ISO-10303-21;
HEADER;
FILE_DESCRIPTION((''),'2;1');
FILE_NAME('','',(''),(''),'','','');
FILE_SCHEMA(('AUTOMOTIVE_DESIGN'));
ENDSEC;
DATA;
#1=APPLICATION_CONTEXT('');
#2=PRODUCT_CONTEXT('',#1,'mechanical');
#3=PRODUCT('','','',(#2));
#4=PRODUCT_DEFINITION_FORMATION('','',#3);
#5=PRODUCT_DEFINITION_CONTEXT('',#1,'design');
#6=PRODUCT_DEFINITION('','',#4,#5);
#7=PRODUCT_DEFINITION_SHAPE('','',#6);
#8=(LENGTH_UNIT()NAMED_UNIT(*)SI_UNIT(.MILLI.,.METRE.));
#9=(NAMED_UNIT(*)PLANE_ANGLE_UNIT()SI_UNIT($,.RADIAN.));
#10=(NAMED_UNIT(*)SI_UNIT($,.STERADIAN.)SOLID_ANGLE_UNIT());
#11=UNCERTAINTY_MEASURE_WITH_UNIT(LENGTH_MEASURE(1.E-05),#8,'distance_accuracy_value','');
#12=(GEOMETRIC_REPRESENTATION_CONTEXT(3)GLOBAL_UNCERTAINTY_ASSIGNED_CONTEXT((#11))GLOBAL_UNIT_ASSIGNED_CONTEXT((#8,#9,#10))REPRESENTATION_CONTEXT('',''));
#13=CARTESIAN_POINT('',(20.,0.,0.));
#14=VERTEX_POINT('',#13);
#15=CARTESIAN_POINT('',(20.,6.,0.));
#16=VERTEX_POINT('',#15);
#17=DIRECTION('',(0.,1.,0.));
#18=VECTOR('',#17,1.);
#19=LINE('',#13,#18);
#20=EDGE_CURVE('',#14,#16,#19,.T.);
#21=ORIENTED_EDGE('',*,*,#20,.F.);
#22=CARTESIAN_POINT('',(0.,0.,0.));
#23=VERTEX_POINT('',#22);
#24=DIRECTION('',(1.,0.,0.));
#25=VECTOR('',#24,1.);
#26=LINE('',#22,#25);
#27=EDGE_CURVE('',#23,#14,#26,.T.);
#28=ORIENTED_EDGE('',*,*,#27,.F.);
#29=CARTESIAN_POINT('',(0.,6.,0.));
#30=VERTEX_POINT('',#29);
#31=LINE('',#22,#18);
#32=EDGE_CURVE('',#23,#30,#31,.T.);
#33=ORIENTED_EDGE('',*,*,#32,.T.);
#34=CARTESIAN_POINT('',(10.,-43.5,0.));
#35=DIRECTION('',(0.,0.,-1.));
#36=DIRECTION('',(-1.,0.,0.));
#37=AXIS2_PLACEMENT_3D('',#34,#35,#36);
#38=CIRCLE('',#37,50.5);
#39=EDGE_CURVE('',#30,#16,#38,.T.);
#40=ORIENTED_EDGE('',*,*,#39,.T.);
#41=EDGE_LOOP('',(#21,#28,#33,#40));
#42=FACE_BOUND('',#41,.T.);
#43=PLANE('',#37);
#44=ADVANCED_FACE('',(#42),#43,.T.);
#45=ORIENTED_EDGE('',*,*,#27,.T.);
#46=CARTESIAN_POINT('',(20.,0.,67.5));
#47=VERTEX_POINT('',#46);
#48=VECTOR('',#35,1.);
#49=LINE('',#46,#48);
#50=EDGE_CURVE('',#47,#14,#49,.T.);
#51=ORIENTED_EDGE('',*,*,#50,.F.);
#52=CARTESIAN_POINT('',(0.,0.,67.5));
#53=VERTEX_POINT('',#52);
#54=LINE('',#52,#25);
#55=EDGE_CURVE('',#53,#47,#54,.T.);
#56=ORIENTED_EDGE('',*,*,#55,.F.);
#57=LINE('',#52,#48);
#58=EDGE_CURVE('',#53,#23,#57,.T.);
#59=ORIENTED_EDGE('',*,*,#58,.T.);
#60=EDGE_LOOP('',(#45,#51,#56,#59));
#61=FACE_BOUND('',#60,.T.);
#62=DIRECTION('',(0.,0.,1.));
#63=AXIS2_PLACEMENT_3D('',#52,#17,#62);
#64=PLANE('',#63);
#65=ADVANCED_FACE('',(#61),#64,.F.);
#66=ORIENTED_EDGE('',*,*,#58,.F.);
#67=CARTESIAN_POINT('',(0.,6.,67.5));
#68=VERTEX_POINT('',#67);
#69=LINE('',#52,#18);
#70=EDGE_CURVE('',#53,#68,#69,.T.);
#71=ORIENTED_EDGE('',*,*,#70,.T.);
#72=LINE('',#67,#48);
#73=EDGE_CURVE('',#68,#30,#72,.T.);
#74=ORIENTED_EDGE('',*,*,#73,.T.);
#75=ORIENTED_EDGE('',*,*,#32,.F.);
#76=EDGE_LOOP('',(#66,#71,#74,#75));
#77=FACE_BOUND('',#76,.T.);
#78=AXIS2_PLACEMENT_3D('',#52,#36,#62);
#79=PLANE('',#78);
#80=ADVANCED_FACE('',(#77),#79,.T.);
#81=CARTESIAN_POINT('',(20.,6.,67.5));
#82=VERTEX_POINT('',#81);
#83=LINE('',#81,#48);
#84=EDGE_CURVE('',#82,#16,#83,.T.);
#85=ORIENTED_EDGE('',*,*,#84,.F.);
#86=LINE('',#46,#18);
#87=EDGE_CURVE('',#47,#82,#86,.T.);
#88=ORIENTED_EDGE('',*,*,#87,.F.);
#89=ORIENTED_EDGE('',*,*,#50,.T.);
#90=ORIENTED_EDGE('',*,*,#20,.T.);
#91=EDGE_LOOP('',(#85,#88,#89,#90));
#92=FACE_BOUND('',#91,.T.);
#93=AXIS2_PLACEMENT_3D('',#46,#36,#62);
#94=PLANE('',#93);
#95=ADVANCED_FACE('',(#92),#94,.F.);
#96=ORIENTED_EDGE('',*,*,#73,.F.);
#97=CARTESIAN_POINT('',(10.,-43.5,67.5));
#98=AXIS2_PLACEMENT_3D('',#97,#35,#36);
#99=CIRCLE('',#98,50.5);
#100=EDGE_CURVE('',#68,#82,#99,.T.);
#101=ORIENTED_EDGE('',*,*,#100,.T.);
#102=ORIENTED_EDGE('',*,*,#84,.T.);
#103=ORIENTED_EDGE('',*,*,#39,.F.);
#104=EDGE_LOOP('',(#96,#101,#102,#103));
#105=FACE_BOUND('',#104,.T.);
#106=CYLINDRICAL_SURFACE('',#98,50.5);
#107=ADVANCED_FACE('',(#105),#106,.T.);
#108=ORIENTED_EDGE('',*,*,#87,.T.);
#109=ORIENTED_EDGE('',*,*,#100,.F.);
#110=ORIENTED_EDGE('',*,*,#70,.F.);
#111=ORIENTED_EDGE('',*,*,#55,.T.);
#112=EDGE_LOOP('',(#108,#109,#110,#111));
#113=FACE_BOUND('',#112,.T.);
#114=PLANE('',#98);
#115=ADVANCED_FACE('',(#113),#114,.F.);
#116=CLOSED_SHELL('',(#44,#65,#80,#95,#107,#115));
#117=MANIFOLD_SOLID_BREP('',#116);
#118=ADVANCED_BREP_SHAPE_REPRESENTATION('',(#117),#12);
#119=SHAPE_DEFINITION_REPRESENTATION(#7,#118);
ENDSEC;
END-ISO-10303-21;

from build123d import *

# Parameters (mm, degrees)
BOSS_EXTRUDE1_DEPTH = 67.5


with BuildPart() as part:
    # Sketch1 → Boss-Extrude1 (new body)
    with BuildSketch(Plane.XY):
        with BuildLine():
            Line((0, 0), (20, 0))
            Line((20, 0), (20, 6))
            ThreePointArc((20, 6), (10, 7), (0, 6))
            Line((0, 6), (0, 0))
        make_face()
    extrude(amount=BOSS_EXTRUDE1_DEPTH)


solid = part.part
